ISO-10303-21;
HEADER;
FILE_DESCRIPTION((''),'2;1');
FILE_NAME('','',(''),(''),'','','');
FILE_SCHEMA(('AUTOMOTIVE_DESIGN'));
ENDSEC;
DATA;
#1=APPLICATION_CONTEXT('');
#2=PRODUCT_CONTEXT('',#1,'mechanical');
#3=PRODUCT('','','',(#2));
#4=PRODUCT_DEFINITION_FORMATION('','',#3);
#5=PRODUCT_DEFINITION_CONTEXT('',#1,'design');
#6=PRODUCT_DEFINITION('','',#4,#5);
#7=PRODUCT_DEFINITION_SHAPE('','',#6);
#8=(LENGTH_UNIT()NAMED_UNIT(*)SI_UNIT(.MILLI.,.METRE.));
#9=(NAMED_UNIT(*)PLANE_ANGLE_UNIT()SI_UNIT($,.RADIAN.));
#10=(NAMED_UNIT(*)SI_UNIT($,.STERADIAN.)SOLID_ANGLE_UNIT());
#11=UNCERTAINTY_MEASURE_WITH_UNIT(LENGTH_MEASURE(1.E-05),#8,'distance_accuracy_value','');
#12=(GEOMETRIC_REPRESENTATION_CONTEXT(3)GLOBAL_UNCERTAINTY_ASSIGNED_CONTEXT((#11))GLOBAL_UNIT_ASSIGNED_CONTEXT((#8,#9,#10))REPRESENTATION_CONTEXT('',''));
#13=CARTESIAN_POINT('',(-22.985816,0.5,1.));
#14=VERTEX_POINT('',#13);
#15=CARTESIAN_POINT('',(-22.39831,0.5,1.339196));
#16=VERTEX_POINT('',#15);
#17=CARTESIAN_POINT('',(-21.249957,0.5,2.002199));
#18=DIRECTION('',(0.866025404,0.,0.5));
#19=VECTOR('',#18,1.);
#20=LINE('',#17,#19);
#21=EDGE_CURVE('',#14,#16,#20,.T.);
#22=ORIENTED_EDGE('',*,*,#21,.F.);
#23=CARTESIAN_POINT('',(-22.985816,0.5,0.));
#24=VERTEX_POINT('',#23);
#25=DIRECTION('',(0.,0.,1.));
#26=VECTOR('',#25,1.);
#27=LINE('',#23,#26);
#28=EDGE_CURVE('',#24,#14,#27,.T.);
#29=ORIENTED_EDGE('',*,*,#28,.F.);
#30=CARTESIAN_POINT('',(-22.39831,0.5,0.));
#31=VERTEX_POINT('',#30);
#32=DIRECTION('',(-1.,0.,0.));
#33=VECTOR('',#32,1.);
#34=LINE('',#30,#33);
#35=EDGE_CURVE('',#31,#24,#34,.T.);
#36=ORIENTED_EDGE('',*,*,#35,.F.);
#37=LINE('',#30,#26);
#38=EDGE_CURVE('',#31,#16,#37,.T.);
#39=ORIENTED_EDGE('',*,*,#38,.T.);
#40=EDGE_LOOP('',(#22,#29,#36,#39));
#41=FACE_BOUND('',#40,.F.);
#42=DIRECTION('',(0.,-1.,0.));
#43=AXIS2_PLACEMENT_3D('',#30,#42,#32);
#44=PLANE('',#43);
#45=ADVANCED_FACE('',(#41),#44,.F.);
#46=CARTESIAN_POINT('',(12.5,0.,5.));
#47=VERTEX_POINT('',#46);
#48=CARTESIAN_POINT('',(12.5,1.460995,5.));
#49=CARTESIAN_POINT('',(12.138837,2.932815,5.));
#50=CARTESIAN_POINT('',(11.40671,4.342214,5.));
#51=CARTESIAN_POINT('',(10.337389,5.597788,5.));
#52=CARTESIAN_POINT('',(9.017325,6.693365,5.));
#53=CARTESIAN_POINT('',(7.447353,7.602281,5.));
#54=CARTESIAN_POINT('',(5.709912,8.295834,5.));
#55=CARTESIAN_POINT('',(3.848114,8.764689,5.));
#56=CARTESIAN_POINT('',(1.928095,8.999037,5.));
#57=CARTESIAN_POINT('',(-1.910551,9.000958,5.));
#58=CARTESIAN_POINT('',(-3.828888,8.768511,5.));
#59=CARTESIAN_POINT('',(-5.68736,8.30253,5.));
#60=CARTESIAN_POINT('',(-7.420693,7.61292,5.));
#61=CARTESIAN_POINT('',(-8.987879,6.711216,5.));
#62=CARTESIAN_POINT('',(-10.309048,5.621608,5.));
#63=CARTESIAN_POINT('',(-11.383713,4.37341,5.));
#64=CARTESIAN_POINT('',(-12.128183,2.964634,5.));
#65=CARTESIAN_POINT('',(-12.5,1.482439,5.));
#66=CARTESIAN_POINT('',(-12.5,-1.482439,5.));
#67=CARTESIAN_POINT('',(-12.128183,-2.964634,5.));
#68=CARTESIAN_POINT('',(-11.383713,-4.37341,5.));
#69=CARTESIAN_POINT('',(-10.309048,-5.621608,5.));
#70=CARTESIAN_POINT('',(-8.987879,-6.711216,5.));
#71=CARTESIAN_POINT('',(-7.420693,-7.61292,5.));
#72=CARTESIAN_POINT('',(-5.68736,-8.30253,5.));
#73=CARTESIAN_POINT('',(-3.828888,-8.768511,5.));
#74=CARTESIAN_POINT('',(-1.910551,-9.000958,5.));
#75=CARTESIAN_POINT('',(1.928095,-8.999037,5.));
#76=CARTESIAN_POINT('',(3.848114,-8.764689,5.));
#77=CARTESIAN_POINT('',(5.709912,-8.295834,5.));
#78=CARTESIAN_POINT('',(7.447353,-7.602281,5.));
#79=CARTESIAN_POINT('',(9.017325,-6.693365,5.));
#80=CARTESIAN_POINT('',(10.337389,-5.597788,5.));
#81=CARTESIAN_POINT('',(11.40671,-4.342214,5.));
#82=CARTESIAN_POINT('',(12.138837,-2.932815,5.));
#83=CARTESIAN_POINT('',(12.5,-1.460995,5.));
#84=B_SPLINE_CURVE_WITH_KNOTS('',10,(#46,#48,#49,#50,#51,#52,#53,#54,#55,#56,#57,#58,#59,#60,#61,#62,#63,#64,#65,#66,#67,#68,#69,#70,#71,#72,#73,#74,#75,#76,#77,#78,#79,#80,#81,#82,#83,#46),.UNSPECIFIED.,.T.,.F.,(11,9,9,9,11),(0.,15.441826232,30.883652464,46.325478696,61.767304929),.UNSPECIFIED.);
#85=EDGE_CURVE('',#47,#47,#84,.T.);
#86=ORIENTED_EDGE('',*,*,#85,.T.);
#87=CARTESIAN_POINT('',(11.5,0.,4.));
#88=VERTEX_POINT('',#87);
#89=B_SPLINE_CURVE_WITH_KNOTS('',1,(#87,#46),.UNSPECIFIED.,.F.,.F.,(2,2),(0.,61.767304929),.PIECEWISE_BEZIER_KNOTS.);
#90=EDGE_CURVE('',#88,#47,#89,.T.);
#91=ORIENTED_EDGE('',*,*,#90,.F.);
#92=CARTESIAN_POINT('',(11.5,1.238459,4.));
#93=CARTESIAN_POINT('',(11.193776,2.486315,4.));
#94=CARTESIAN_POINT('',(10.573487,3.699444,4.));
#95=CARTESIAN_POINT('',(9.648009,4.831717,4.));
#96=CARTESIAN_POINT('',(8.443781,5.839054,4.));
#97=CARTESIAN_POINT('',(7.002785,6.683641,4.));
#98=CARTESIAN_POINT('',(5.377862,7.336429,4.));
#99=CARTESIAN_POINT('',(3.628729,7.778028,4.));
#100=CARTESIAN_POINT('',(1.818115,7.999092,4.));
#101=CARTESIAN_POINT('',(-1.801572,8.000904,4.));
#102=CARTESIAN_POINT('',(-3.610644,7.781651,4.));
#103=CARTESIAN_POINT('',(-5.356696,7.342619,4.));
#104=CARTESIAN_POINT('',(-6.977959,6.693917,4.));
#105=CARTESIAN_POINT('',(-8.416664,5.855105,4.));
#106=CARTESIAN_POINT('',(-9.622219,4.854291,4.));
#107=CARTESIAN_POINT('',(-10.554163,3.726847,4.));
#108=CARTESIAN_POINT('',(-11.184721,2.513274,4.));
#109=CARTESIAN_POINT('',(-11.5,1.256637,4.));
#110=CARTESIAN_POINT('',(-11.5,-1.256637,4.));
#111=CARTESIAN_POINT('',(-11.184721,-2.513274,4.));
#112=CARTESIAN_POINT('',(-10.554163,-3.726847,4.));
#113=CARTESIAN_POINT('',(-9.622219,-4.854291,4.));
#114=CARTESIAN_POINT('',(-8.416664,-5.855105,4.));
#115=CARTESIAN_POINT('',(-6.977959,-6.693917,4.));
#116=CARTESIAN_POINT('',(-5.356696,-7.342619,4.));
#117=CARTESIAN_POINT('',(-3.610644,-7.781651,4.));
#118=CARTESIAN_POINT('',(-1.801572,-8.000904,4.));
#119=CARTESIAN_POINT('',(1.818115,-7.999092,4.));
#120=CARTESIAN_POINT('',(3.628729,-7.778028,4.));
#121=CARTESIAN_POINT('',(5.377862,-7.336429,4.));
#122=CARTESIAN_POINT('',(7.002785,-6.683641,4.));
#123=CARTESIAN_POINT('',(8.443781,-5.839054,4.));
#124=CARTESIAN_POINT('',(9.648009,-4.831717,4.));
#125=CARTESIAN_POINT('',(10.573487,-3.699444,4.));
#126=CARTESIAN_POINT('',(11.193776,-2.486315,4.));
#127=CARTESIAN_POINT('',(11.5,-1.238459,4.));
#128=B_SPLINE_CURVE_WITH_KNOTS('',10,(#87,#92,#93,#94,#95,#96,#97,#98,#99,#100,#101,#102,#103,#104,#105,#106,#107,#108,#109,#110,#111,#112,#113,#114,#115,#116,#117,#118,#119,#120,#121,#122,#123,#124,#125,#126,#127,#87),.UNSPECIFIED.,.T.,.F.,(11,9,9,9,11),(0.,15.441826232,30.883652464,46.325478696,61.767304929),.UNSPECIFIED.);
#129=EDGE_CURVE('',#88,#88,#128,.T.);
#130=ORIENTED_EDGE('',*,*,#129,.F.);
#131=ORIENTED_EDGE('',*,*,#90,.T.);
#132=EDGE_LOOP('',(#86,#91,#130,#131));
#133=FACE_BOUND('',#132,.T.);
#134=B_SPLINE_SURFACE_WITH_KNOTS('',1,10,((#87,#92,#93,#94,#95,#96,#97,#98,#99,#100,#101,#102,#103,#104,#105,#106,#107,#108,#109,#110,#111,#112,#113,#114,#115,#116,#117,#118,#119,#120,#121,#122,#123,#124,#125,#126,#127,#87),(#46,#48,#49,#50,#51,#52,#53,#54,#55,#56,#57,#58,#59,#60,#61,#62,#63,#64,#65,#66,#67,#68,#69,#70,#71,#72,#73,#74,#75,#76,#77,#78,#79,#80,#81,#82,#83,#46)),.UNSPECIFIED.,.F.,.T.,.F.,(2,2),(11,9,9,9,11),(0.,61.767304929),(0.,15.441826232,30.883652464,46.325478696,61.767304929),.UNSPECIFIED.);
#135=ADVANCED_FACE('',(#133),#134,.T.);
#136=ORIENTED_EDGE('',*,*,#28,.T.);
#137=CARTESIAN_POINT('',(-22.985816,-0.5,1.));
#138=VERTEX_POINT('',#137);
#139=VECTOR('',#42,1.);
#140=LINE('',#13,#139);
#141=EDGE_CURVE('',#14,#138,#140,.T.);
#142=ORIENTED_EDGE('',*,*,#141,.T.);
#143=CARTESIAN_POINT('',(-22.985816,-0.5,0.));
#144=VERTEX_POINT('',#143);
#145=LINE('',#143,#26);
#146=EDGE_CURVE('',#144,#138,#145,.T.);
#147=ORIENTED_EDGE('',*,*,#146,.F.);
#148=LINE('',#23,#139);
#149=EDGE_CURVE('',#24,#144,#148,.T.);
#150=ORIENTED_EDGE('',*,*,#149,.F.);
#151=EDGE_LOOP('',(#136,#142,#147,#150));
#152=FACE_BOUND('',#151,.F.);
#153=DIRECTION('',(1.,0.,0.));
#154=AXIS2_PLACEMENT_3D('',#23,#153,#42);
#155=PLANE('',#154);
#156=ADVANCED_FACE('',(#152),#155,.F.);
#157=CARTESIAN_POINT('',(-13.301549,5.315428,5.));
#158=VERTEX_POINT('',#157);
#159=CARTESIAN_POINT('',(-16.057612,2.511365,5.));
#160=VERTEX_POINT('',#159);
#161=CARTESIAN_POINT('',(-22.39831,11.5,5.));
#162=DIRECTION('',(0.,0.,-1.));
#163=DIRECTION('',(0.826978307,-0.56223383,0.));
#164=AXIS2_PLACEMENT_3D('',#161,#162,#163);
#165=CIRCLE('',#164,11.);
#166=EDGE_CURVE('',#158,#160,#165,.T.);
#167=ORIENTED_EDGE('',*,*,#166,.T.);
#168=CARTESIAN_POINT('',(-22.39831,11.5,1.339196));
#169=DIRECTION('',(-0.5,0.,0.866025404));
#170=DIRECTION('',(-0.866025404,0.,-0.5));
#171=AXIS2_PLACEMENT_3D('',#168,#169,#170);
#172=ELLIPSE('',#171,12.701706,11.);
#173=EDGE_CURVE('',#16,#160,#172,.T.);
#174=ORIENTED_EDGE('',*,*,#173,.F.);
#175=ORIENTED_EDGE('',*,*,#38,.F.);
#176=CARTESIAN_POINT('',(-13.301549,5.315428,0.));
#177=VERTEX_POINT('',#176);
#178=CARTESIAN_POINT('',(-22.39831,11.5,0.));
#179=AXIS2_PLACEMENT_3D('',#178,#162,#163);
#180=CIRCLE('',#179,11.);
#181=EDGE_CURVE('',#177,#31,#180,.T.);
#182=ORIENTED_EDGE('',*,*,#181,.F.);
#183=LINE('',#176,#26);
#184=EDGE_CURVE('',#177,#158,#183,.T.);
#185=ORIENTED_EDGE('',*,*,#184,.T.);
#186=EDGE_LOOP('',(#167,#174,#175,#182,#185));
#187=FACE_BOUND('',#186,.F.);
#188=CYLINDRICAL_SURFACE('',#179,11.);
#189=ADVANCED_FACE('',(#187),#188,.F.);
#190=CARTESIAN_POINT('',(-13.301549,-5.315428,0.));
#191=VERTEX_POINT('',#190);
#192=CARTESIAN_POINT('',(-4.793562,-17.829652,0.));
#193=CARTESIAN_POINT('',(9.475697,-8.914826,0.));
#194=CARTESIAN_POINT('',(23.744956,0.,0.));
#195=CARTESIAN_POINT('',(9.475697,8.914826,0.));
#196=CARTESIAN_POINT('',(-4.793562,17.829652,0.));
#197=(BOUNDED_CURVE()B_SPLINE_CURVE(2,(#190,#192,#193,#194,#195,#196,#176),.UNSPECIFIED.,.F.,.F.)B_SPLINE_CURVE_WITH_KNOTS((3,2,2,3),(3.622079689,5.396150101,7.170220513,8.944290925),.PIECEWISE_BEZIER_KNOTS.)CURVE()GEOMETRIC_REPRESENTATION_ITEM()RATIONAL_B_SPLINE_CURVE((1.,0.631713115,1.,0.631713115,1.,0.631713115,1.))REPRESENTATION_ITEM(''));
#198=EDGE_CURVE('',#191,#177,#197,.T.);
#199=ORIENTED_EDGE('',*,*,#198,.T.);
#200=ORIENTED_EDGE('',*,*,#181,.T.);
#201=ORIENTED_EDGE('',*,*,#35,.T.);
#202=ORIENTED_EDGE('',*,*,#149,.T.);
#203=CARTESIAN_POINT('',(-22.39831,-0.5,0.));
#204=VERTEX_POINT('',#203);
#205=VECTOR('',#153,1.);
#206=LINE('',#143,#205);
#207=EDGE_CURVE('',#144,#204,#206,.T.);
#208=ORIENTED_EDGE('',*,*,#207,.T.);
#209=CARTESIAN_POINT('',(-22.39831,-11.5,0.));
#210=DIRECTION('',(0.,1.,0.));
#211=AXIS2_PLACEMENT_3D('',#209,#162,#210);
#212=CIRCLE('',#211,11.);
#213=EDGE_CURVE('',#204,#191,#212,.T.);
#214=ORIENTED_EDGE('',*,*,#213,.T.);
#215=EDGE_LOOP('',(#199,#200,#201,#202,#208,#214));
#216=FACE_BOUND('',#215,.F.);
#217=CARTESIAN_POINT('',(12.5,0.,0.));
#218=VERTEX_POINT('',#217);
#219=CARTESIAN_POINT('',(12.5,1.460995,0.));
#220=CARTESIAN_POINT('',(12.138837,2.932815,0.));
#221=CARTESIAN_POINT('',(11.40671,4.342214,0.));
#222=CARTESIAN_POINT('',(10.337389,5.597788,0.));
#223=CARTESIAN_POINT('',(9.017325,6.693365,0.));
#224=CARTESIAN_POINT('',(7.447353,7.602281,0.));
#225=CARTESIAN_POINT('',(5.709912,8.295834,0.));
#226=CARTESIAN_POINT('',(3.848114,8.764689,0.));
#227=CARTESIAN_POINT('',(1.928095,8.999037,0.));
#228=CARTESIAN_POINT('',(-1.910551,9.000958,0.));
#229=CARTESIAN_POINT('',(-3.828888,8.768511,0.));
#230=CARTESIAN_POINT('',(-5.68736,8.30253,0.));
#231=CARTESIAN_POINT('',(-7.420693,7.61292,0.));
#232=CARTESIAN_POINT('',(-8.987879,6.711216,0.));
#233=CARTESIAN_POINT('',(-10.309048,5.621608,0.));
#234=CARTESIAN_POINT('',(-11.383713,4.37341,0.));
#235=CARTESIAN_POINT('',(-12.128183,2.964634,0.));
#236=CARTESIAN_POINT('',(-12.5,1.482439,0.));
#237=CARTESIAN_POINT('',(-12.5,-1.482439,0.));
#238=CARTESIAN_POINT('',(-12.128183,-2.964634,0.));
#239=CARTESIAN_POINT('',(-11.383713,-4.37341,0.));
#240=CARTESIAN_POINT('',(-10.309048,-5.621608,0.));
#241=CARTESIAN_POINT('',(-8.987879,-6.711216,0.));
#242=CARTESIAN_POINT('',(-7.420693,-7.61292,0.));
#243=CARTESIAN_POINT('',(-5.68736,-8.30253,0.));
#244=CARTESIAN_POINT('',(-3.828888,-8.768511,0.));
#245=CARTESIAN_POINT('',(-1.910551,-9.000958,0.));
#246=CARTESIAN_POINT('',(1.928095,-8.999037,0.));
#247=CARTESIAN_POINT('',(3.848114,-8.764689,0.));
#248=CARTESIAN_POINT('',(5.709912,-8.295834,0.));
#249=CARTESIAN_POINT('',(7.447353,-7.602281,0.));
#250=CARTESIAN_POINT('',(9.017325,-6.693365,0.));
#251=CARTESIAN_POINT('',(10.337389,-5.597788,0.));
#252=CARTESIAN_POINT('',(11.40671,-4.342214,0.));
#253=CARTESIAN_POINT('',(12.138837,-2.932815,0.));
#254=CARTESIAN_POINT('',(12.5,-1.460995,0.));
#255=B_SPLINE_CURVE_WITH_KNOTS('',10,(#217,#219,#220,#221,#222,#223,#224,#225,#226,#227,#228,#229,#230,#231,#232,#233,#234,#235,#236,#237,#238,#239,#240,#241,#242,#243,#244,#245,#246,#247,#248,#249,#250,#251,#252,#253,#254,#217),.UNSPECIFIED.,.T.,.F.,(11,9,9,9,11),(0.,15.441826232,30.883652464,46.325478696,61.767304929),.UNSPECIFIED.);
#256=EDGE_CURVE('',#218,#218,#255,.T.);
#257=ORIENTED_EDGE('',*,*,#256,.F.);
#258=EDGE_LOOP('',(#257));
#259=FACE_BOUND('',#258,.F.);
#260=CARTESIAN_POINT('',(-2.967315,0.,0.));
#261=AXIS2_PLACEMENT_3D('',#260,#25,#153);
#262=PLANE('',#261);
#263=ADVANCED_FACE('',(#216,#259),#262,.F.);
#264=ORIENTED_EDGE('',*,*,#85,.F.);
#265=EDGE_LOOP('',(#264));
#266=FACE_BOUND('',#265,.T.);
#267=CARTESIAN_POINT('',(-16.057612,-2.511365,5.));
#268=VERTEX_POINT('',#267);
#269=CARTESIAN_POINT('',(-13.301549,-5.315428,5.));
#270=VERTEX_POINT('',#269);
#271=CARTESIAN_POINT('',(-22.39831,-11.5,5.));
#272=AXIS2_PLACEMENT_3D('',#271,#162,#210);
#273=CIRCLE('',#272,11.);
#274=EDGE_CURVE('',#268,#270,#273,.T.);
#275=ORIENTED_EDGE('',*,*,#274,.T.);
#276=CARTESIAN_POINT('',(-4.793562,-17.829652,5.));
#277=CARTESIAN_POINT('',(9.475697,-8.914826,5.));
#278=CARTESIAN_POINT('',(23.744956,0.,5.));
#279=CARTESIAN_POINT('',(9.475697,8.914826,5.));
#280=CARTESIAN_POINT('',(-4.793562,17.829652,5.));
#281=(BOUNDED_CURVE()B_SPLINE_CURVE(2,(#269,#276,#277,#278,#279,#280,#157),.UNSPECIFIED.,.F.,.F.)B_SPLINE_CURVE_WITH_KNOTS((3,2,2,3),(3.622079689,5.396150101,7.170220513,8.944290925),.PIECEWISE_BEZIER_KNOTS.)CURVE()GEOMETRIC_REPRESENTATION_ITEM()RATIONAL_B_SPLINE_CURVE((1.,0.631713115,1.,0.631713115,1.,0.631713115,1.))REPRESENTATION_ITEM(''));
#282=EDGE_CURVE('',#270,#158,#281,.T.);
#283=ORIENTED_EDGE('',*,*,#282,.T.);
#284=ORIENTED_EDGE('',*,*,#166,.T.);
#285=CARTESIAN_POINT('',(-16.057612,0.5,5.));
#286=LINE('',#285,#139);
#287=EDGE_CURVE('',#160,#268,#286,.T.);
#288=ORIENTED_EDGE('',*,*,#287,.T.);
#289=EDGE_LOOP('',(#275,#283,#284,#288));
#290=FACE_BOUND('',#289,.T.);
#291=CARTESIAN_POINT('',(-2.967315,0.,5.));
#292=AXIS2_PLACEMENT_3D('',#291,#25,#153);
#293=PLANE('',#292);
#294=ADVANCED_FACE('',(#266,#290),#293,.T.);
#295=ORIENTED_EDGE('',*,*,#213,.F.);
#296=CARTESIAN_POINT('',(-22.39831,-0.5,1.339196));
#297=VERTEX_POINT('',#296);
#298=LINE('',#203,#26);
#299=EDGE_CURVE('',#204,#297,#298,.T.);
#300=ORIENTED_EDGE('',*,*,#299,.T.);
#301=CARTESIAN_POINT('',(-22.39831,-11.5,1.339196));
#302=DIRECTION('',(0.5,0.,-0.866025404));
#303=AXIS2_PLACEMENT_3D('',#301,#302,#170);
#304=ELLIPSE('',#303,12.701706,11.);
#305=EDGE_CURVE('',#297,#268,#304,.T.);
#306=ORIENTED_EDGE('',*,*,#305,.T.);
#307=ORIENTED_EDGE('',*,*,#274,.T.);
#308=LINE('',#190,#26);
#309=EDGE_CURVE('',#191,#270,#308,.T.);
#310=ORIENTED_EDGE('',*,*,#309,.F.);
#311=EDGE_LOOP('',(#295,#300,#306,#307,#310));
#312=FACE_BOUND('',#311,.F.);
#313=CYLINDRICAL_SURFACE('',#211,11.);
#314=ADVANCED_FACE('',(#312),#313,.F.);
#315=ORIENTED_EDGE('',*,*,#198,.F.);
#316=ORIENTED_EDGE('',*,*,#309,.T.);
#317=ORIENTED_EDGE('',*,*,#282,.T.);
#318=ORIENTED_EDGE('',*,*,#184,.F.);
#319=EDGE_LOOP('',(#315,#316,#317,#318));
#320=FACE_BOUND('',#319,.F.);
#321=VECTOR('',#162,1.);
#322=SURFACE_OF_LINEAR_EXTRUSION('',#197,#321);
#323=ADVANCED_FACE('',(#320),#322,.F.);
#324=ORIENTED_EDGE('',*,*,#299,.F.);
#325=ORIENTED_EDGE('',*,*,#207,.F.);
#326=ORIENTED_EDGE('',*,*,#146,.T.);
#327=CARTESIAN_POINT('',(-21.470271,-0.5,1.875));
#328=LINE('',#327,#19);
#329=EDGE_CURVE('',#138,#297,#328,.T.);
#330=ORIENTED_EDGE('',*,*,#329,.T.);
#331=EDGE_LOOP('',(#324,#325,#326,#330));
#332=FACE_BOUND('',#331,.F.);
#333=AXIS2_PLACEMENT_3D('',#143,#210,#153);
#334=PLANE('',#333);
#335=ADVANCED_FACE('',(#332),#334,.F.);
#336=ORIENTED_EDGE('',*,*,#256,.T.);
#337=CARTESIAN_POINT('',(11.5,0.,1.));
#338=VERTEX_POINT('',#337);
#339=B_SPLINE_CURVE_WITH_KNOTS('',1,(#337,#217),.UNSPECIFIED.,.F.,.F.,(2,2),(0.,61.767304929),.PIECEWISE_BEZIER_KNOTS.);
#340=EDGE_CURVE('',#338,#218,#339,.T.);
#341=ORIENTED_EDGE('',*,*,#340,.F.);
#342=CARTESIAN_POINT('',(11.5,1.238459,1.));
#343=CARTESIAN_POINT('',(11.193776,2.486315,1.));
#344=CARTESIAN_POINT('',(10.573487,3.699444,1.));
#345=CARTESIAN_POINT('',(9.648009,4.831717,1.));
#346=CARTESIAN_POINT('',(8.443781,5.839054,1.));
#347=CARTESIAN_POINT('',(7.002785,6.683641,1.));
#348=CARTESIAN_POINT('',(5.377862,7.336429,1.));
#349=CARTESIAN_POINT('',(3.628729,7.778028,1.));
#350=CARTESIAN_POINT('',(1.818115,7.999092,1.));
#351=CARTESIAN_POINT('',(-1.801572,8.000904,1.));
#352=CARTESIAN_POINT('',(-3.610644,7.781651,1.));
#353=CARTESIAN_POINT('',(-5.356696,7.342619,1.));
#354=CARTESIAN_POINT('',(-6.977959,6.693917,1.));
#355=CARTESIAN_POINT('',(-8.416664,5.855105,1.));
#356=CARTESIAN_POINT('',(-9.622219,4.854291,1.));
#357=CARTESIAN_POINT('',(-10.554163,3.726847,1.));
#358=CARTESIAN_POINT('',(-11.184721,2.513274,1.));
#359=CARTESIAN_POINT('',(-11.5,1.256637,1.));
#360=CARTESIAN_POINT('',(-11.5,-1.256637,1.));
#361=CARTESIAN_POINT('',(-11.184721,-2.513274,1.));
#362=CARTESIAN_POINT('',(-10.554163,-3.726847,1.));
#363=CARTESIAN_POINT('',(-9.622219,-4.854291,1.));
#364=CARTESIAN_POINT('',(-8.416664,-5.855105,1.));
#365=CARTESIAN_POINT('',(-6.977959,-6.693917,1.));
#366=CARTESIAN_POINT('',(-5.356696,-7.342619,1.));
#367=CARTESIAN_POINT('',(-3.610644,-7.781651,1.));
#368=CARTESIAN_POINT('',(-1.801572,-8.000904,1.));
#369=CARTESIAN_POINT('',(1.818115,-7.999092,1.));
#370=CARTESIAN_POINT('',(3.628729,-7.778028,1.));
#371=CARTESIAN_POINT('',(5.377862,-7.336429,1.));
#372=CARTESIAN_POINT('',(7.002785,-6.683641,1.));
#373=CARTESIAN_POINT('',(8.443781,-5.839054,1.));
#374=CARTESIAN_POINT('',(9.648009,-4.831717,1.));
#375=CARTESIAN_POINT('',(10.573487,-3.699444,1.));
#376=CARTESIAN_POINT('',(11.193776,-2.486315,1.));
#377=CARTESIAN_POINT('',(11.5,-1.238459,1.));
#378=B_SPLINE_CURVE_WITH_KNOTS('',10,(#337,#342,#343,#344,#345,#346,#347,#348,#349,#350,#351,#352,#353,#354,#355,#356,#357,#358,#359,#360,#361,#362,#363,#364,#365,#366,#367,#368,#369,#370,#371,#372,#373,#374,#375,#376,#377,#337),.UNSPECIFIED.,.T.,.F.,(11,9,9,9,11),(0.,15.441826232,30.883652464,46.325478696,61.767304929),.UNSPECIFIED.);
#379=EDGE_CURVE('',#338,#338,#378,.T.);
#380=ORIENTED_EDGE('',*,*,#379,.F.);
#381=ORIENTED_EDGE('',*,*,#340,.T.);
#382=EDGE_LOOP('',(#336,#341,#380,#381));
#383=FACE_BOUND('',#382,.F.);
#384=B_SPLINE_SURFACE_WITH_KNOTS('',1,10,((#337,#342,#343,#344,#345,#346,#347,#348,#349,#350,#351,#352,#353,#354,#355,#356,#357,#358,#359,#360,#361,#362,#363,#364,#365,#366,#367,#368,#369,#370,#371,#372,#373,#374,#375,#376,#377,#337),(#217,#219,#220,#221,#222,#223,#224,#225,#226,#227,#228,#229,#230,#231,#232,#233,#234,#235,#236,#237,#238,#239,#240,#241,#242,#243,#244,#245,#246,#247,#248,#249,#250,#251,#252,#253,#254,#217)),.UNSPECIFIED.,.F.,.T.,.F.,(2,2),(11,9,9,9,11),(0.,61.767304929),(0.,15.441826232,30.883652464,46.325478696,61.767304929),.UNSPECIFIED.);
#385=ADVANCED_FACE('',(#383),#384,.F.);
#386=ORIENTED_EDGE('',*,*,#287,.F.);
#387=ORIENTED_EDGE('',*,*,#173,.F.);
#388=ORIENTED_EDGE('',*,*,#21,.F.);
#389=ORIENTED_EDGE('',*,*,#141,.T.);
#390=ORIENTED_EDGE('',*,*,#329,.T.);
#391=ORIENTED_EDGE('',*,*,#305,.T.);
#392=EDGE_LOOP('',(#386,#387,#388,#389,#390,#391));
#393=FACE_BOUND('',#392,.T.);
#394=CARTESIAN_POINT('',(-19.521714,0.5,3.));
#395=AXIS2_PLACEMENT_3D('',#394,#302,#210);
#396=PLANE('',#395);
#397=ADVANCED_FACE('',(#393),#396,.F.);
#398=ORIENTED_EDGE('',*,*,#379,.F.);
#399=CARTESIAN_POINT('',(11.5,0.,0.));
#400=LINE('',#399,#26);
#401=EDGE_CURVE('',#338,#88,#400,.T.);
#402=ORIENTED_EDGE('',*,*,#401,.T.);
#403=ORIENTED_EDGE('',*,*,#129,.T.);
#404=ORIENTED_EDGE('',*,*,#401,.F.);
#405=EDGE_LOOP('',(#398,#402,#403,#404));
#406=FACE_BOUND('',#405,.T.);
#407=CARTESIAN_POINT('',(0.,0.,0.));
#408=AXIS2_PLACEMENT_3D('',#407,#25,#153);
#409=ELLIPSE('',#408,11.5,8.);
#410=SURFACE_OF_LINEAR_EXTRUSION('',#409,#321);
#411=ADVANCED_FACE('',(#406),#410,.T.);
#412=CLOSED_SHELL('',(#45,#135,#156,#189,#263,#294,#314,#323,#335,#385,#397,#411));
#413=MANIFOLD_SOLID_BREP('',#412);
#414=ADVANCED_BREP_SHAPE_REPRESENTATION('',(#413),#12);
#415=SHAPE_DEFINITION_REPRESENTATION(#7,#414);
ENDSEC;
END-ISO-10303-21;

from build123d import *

# Parameters (mm, degrees)
SKETCH1_RX          = 11.5
SKETCH1_RY          = 8
BOSS_EXTRUDE1_DEPTH = 5
CHAMFER1_SIZE       = 1
CHAMFER2_SIZE       = 4
CHAMFER2_SIZE2      = 6.92820323


with BuildPart() as part:
    # Sketch1 → Boss-Extrude1 (new body)
    with BuildSketch(Plane.XY):
        with BuildLine():
            Line((-22.398310096, 0.5), (-22.9858156, 0.5))
            Line((-22.9858156, 0.5), (-22.9858156, -0.5))
            Line((-22.9858156, -0.5), (-22.398310096, -0.5))
            ThreePointArc((-22.398310096, -0.5), (-17.251966417, -1.77810992), (-13.301548721, -5.315427866))
            add(Edge.make_bspline(
                [(-13.301548721, -5.315427866), (-4.793562388, -17.829651935), (9.475696719, -8.914825968), (23.744955826, 0), (9.475696719, 8.914825968), (-4.793562388, 17.829651935), (-13.301548721, 5.315427866)],
                knots=[3.622079689, 3.622079689, 3.622079689, 5.396150101, 5.396150101, 7.170220513, 7.170220513, 8.944290925, 8.944290925, 8.944290925], degree=2, weights=[1, 0.631713115, 1, 0.631713115, 1, 0.631713115, 1]))
            ThreePointArc((-13.301548721, 5.315427866), (-17.251966417, 1.77810992), (-22.398310096, 0.5))
        make_face()
        with Locations((0, 0)):
            Ellipse(SKETCH1_RX, SKETCH1_RY, mode=Mode.SUBTRACT)
    extrude(amount=BOSS_EXTRUDE1_DEPTH)

    # Chamfer1
    chamfer1_edges = [part.edges().sort_by_distance(p)[0] for p in [
        (-11.499996843, -0.00592777, 0),
        (-11.499996843, -0.00592777, 5),
    ]]
    chamfer(chamfer1_edges, length=CHAMFER1_SIZE)

    # Chamfer2
    chamfer2_edges = [part.edges().sort_by_distance(p)[0] for p in [
        (-22.9858156, 0, 5),
    ]]
    chamfer2_side = [part.faces().sort_by_distance(p)[0] for p in [
        (-22.9858156, 0, 2.5),
    ]]
    chamfer(chamfer2_edges, length=CHAMFER2_SIZE, length2=CHAMFER2_SIZE2, reference=chamfer2_side[0])


solid = part.part
